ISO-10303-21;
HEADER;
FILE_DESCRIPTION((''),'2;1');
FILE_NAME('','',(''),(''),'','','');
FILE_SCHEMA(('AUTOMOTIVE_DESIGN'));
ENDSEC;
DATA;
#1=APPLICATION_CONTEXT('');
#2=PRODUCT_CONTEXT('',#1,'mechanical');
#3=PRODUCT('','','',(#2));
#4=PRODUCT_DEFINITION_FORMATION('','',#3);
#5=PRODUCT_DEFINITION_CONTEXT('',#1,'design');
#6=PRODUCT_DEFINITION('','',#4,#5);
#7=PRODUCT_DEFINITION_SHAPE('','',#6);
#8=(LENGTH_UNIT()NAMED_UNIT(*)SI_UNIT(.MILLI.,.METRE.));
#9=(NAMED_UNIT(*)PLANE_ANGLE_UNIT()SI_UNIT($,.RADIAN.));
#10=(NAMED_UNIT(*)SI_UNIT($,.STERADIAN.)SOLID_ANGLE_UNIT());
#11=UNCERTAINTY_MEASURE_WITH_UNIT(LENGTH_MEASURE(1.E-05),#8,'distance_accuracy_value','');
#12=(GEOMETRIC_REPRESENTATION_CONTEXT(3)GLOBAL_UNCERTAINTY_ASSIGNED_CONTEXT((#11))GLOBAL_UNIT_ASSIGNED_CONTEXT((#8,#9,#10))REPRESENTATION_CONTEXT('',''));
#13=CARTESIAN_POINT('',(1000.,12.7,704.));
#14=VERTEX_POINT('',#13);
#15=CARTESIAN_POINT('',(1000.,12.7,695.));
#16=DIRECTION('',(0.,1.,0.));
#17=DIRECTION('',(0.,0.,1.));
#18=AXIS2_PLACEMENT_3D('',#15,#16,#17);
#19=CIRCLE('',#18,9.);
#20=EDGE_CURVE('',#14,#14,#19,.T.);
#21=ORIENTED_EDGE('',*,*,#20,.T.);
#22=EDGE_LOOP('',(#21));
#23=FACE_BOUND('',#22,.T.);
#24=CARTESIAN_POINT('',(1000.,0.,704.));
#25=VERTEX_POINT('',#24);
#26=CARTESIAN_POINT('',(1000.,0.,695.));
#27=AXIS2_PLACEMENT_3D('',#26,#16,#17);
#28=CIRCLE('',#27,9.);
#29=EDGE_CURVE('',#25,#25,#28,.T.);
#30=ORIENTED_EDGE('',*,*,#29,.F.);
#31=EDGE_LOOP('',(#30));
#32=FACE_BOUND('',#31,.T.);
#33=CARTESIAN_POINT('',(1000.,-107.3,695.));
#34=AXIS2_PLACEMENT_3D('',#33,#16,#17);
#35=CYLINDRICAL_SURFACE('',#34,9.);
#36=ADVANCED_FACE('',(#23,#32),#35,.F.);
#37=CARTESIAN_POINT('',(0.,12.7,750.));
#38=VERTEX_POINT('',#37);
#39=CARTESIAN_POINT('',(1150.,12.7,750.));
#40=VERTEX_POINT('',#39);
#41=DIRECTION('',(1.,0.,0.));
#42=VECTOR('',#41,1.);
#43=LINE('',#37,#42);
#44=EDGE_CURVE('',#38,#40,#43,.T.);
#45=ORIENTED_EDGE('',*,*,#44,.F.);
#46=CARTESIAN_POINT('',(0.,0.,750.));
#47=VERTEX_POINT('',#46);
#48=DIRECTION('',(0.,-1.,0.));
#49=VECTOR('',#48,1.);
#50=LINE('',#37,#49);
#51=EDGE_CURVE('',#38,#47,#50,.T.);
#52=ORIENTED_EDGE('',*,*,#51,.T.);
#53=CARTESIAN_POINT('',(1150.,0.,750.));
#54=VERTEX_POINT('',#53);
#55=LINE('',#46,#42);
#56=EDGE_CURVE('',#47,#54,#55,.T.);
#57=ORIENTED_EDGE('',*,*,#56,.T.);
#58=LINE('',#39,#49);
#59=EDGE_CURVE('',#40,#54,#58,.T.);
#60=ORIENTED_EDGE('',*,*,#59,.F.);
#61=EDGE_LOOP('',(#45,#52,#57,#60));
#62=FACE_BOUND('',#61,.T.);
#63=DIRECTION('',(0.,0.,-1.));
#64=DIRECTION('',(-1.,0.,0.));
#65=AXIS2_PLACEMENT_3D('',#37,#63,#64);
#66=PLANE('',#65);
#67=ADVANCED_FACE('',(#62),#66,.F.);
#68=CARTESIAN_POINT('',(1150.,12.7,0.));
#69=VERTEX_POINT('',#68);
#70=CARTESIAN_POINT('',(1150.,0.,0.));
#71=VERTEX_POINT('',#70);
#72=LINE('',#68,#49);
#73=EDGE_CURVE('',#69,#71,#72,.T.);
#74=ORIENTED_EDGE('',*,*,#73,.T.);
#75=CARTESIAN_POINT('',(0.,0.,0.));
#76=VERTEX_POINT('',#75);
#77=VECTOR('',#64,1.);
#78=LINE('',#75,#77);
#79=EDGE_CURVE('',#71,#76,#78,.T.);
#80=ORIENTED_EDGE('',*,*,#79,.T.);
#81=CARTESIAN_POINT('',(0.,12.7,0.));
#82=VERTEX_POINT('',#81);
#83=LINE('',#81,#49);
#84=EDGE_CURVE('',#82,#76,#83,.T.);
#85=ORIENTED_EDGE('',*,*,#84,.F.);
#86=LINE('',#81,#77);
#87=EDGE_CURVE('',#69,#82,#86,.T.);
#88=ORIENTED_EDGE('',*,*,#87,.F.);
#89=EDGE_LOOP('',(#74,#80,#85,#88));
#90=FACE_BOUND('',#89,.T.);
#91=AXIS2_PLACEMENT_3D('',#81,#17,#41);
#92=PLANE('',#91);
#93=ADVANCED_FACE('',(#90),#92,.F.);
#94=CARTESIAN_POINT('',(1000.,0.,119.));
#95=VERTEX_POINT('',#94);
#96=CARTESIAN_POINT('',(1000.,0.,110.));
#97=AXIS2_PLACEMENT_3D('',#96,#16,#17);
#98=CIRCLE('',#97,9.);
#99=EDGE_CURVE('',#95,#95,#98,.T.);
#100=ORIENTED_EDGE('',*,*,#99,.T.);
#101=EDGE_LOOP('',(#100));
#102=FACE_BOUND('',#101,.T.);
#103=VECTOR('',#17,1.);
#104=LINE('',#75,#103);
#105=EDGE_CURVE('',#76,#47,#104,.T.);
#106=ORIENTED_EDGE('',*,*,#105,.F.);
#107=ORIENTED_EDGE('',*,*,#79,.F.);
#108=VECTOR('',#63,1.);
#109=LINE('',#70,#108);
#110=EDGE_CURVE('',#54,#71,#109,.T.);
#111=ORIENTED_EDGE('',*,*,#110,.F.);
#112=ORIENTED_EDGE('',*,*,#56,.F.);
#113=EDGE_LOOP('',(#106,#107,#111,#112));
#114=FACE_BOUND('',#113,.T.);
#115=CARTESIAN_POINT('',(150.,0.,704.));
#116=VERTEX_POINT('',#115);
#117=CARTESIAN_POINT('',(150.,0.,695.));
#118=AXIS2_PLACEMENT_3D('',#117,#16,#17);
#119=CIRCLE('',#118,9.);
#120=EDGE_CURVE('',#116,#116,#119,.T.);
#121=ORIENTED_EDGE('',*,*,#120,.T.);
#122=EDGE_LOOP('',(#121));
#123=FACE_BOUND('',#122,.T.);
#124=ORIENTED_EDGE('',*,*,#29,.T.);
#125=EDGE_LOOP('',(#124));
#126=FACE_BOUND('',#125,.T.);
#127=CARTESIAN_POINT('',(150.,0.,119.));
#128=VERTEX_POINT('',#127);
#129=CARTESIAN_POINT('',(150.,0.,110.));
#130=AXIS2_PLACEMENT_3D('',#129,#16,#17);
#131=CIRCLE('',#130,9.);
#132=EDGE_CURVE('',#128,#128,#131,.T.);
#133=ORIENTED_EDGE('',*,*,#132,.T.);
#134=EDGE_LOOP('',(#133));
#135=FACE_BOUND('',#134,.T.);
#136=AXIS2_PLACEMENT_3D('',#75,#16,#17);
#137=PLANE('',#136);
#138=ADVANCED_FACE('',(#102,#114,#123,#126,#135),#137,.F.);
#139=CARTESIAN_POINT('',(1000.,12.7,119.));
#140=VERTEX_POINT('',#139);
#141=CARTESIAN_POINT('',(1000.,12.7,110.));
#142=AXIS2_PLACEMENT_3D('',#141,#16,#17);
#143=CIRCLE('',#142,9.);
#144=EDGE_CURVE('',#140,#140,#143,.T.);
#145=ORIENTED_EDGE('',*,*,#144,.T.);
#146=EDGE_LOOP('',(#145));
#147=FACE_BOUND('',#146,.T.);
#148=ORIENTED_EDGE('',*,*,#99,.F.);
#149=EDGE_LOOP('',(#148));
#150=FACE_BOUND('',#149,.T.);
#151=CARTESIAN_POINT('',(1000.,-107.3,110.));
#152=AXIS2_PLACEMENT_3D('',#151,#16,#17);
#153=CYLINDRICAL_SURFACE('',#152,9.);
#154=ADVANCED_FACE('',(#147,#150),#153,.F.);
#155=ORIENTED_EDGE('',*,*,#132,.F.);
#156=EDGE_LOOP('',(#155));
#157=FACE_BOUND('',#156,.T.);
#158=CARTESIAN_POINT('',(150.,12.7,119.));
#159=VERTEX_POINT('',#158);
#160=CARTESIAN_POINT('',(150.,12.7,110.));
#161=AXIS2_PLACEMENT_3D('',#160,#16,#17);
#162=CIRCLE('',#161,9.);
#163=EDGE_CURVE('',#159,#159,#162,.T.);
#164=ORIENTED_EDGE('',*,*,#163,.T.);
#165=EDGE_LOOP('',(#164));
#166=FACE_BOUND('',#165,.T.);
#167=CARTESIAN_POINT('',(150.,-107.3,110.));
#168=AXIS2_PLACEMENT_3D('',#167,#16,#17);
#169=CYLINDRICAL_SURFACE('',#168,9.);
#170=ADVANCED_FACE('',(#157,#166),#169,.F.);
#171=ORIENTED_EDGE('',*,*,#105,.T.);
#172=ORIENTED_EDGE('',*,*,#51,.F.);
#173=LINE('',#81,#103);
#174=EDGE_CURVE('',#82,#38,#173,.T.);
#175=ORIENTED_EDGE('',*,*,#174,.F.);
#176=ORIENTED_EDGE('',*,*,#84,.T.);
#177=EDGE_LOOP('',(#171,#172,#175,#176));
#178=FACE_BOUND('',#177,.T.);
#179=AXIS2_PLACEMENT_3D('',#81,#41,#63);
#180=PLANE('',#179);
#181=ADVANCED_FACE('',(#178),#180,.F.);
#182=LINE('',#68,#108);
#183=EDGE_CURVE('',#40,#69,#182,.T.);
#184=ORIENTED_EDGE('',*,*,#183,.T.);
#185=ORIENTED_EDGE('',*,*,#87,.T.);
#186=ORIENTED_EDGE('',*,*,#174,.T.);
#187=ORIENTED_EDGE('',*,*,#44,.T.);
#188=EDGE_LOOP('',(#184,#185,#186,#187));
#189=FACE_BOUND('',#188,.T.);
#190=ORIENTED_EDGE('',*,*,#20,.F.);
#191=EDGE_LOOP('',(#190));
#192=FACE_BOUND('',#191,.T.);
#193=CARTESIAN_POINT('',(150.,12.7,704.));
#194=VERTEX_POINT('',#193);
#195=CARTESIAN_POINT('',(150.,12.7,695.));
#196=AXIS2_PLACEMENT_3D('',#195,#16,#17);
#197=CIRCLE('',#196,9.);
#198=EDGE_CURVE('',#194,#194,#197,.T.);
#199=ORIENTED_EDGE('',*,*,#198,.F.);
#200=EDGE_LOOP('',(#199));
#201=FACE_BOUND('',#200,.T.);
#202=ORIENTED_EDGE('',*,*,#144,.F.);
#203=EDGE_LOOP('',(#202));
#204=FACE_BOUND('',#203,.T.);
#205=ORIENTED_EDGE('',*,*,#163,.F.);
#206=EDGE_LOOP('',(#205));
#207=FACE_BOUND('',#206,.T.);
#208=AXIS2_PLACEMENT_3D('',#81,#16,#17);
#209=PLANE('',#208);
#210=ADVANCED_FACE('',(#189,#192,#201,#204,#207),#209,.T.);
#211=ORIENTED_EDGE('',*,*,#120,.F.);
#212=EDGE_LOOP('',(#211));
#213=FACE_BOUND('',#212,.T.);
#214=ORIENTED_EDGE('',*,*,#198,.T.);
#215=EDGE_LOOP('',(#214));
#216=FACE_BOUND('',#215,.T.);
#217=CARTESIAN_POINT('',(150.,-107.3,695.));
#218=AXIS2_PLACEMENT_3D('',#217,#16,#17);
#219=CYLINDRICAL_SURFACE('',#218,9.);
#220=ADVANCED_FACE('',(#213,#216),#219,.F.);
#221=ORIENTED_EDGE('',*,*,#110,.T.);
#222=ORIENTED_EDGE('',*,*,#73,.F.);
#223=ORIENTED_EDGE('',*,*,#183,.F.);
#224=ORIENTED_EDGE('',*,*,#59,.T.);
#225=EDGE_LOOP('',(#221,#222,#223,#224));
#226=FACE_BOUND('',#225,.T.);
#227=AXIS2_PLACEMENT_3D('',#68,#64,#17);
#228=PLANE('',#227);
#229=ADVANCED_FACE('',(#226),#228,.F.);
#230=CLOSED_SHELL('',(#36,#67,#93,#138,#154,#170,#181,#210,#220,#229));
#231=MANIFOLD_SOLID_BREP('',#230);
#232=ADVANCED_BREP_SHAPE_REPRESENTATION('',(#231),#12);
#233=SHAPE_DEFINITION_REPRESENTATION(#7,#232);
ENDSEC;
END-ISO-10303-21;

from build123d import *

# Parameters (mm, degrees)
CROQUIS2_W              = 1150
CROQUIS2_H              = 750
SALIENTE_EXTRUIR1_DEPTH = 12.7
CROQUIS7_R              = 9
CORTAR_EXTRUIR1_DEPTH   = 120


with BuildPart() as part:
    # Croquis2 → Saliente-Extruir1 (new body)
    with BuildSketch(Plane(origin=(0, 0, 0), x_dir=(1, 0, 0), z_dir=(0, 1, 0))):
        with Locations((575, -375)):
            Rectangle(CROQUIS2_W, CROQUIS2_H)
    extrude(amount=SALIENTE_EXTRUIR1_DEPTH)

    # Croquis7 → Cortar-Extruir1 (cut)
    with BuildSketch(Plane(origin=(0, 12.7, 0), x_dir=(1, 0, 0), z_dir=(0, 1, 0))):
        with Locations(Location((1000, -110, 0), (0, 0, 270))):
            Circle(CROQUIS7_R)
        with Locations(Location((150, -110, 0), (0, 0, 270))):
            Circle(CROQUIS7_R)
        with Locations(Location((1000, -695, 0), (0, 0, 270))):
            Circle(CROQUIS7_R)
        with Locations(Location((150, -695, 0), (0, 0, 270))):
            Circle(CROQUIS7_R)
    extrude(amount=-CORTAR_EXTRUIR1_DEPTH, mode=Mode.SUBTRACT)


solid = part.part
